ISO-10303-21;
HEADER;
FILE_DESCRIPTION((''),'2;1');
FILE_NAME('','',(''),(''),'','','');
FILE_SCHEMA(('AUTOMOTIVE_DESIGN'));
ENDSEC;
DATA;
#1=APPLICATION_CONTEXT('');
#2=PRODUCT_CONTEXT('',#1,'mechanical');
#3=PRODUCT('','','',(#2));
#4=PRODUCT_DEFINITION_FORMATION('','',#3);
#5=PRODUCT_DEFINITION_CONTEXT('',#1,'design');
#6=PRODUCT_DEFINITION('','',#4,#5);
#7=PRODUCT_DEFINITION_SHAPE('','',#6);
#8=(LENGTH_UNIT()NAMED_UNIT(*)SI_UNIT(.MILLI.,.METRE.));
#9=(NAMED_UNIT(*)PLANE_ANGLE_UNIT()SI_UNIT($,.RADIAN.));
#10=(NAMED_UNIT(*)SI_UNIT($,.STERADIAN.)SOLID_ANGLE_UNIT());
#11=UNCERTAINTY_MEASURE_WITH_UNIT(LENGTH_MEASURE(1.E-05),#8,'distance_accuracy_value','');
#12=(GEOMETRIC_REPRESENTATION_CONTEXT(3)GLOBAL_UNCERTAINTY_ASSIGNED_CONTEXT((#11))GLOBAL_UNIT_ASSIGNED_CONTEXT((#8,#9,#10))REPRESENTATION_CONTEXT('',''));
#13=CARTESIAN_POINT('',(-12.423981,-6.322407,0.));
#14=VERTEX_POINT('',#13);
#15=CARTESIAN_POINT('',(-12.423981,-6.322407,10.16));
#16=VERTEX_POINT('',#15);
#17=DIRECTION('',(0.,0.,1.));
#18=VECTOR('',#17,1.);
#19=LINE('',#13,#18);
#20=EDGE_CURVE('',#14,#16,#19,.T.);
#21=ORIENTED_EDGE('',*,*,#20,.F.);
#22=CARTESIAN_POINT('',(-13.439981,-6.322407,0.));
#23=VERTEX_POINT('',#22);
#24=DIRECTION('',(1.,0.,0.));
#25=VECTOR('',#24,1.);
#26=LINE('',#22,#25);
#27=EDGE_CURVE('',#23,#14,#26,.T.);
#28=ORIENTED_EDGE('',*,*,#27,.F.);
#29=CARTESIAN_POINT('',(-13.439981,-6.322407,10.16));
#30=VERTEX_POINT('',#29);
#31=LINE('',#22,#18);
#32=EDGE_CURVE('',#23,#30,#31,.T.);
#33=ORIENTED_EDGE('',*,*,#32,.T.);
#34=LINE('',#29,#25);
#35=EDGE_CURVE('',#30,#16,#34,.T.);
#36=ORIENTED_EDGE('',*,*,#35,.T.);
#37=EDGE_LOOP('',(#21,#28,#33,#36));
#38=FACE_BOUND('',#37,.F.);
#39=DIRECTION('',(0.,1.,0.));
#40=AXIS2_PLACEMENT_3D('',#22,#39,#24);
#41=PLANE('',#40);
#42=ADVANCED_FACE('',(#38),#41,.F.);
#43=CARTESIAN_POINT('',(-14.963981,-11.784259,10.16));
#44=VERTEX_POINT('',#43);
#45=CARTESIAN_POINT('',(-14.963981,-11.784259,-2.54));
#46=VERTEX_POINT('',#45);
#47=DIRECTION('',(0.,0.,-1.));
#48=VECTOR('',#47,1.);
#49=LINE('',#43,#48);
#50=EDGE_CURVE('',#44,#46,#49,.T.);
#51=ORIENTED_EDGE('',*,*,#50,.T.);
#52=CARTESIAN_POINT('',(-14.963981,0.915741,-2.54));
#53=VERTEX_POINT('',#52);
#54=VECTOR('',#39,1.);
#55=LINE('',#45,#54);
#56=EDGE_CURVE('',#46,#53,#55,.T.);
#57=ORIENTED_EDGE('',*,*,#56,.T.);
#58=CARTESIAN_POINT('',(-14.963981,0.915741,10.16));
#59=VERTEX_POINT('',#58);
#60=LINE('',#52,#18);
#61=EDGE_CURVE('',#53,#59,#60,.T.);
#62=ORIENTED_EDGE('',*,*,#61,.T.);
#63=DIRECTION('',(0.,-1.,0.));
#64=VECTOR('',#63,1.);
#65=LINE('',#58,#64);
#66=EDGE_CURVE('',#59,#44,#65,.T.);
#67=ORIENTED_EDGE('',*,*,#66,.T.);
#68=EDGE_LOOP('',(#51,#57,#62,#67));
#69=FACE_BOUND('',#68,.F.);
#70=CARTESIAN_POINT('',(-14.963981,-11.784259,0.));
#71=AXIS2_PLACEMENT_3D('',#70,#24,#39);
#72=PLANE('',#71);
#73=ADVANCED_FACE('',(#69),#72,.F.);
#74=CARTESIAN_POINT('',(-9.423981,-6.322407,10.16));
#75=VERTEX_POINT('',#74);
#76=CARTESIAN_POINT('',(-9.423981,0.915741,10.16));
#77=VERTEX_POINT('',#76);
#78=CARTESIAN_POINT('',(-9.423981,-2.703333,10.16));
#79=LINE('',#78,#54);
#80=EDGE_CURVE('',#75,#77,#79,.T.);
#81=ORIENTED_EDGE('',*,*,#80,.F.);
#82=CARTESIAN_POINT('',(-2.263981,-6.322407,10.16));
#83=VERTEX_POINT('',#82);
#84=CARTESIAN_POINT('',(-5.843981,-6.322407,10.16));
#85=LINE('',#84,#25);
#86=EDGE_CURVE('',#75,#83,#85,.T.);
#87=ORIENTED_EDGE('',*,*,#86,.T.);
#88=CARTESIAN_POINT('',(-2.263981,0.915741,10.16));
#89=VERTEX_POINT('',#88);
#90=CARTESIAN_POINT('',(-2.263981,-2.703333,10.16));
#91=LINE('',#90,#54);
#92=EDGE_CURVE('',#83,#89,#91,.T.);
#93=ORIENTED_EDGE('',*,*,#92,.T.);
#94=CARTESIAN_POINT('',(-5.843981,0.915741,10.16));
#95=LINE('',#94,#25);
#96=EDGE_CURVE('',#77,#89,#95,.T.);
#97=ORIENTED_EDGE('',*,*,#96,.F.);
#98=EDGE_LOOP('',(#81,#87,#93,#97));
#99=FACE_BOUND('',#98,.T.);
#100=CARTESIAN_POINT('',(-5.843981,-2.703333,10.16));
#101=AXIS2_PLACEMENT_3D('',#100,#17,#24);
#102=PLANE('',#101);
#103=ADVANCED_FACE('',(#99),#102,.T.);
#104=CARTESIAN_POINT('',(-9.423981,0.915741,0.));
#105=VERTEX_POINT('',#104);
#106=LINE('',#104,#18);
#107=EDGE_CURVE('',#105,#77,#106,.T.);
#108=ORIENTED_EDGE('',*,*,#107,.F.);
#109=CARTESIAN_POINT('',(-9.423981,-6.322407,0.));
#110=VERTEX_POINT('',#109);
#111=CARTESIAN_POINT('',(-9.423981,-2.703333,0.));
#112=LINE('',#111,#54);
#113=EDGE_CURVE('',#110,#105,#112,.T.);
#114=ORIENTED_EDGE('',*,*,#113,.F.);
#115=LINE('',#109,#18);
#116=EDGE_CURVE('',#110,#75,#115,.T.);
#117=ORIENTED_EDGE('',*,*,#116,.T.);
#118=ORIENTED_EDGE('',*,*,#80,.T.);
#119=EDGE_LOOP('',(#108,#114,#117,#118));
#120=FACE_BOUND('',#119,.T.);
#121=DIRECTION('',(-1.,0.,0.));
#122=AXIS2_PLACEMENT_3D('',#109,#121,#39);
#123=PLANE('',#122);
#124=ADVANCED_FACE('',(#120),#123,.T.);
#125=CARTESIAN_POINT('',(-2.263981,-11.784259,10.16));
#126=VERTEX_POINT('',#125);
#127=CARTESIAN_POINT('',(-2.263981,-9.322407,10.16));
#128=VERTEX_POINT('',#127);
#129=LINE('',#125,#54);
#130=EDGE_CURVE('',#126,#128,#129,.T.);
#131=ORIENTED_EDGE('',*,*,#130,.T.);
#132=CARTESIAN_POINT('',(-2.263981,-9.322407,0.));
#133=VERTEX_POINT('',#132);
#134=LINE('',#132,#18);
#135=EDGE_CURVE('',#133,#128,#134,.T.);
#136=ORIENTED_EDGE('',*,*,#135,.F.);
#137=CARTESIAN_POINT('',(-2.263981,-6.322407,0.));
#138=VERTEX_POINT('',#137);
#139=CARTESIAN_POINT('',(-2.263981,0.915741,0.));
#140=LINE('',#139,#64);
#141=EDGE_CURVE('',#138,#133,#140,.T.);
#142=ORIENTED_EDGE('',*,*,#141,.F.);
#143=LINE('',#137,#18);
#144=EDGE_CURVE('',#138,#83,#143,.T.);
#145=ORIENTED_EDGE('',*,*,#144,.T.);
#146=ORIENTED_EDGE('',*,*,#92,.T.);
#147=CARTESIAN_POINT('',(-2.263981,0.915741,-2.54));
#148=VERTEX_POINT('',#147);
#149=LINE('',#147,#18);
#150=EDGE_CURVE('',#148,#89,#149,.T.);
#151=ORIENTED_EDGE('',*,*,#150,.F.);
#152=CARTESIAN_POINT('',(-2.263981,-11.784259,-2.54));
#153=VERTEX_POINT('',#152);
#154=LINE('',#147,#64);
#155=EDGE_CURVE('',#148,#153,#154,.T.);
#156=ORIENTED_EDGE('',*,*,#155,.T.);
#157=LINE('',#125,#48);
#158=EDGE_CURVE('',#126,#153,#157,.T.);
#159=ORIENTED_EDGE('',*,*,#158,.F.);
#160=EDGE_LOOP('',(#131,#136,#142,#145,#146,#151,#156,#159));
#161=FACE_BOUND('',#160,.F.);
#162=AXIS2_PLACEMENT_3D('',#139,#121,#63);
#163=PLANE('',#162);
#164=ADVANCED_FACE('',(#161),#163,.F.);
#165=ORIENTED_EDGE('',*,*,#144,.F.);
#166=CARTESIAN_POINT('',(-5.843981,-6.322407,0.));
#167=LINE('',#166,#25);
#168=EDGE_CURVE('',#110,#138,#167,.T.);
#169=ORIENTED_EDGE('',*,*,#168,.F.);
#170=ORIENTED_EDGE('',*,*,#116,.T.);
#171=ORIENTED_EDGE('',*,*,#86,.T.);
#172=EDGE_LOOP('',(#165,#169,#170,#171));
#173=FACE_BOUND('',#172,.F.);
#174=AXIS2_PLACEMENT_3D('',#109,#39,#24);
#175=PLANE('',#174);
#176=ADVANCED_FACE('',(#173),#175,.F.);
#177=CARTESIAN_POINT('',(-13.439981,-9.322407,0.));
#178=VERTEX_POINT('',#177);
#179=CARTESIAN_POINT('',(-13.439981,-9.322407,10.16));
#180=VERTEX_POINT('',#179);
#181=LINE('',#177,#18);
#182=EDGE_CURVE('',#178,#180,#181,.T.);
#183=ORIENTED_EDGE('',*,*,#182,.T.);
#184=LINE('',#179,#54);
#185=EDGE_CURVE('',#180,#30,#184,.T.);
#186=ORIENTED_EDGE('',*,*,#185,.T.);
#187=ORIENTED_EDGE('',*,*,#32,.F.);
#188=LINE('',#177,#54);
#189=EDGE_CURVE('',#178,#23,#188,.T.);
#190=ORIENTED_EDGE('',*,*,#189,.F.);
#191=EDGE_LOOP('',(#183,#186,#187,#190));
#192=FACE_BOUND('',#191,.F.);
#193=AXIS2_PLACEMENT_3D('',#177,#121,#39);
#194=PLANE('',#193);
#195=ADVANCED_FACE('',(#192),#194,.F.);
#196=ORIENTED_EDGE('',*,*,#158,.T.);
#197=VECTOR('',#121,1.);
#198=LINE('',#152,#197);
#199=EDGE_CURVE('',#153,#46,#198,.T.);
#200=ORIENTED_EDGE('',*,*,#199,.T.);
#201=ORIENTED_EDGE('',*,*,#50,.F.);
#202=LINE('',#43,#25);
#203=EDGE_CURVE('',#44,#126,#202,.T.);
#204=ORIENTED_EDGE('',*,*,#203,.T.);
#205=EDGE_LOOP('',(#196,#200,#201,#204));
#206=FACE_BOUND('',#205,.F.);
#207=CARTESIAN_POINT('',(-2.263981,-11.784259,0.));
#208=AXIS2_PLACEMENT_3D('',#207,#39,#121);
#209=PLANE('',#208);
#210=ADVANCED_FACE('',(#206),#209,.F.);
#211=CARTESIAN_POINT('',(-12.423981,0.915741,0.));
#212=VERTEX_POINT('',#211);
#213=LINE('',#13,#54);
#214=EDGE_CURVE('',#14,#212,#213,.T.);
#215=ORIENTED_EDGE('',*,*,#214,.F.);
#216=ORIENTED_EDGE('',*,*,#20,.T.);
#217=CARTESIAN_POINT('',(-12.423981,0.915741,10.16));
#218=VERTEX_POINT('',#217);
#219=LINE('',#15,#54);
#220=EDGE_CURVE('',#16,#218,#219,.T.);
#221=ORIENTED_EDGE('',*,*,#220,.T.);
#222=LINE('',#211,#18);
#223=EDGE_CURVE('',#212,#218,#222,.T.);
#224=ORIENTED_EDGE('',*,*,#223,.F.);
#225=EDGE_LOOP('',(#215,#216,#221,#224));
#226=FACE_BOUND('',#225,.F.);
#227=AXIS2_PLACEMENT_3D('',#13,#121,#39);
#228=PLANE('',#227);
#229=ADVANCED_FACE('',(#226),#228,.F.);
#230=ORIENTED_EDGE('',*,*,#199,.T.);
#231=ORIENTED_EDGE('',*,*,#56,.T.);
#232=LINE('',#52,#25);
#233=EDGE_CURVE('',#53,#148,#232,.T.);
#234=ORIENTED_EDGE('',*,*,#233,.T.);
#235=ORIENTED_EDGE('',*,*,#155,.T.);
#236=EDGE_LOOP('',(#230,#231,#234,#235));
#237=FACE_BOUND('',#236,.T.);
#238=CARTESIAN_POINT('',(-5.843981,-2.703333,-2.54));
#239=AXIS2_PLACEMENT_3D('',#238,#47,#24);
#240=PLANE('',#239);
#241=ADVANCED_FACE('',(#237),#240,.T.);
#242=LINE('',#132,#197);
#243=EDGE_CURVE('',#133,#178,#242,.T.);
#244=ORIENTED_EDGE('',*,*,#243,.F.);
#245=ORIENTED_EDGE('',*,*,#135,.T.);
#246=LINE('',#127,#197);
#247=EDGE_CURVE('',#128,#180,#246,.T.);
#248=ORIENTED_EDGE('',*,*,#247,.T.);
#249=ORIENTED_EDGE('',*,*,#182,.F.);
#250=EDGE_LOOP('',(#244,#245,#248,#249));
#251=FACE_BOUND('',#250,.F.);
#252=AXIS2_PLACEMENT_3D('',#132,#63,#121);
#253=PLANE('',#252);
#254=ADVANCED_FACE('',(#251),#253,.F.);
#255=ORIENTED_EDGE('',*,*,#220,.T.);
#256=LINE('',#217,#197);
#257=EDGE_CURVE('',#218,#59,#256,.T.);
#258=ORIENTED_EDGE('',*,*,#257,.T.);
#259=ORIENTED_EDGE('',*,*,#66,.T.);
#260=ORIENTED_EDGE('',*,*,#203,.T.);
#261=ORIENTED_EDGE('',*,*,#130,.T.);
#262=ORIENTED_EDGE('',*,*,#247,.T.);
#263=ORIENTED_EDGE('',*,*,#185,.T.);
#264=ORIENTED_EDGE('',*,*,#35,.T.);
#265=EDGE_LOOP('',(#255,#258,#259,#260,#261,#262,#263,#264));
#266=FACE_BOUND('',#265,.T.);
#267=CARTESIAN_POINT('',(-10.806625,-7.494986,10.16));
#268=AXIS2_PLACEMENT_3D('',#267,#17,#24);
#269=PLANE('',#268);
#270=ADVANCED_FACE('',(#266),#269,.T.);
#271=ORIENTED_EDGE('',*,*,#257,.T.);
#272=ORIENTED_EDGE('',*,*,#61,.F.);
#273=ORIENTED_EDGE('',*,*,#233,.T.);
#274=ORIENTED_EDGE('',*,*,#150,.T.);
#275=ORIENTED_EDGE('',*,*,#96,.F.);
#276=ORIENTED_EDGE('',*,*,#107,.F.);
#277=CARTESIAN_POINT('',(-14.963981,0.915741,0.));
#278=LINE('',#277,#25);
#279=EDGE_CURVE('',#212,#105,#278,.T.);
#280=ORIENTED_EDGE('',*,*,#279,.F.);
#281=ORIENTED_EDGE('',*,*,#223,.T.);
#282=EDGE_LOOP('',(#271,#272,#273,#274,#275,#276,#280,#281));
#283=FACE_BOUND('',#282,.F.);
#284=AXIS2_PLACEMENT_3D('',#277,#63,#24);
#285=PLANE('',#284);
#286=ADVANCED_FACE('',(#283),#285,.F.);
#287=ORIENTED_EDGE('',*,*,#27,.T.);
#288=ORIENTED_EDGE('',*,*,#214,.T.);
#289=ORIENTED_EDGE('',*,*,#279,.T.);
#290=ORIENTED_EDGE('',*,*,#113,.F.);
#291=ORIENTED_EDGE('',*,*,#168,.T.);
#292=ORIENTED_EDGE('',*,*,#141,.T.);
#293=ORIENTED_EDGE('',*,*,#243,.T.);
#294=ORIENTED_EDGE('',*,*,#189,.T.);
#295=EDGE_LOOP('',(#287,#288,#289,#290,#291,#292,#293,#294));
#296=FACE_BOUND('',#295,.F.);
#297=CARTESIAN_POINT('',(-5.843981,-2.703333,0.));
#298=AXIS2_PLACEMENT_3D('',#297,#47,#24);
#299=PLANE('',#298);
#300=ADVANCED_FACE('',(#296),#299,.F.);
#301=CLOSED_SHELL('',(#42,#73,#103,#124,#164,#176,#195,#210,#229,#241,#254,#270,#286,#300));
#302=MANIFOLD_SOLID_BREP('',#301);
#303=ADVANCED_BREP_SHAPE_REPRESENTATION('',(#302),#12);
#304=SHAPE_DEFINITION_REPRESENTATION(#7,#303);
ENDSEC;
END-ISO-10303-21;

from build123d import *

# Parameters (mm, degrees)
F0_W     = 7.16
F0_H     = 7.2381474632
F1_DEPTH = 10.16
F2_W     = 7.16
F2_H     = 7.2381474632
F3_DEPTH = 2.54


with BuildPart() as f1:
    # F0 (on Top) → F1 (new body)
    with BuildSketch(Plane.XY):
        with Locations((-5.8439813066, -2.7033329925)):
            Rectangle(F0_W, F0_H)
    extrude(amount=F1_DEPTH)



with BuildPart() as f1b:
    # F0 (on Top) → F1, piece 2 (new body)
    with BuildSketch(Plane.XY):
        Polygon((-12.4239813066, 0.9157407391), (-14.9639813066, 0.9157407391), (-14.9639813066, -11.7842592609), (-2.2639813066, -11.7842592609), (-2.2639813066, -9.3224067241), (-9.4239813066, -9.3224067241), (-12.4239813066, -9.3224067241), (-13.4399813066, -9.3224067241), (-13.4399813066, -6.3224067241), (-12.4239813066, -6.3224067241), align=None)
    extrude(amount=F1_DEPTH)


with BuildPart() as f1_1:
    add(f1.part)

    add(f1b.part)  # F3 merges F1b
    # F2 (on face) → F3 (join)
    with BuildSketch(Plane(origin=(0, 0, 0), x_dir=(1, 0, 0), z_dir=(0, 0, -1))):
        with Locations((-5.8439813066, 2.7033329925)):
            Rectangle(F2_W, F2_H)
        Polygon((-2.2639813066, 9.3224067241), (-13.4399813066, 9.3224067241), (-13.4399813066, 6.3224067241), (-12.4239813066, 6.3224067241), (-12.4239813066, -0.9157407391), (-9.4239813066, -0.9157407391), (-9.4239813066, 6.3224067241), (-2.2639813066, 6.3224067241), align=None)
        Polygon((-13.4399813066, 6.3224067241), (-13.4399813066, 9.3224067241), (-2.2639813066, 9.3224067241), (-2.2639813066, 11.7842592609), (-14.9639813066, 11.7842592609), (-14.9639813066, -0.9157407391), (-12.4239813066, -0.9157407391), (-12.4239813066, 6.3224067241), align=None)
    extrude(amount=F3_DEPTH)


solid = f1_1.part
